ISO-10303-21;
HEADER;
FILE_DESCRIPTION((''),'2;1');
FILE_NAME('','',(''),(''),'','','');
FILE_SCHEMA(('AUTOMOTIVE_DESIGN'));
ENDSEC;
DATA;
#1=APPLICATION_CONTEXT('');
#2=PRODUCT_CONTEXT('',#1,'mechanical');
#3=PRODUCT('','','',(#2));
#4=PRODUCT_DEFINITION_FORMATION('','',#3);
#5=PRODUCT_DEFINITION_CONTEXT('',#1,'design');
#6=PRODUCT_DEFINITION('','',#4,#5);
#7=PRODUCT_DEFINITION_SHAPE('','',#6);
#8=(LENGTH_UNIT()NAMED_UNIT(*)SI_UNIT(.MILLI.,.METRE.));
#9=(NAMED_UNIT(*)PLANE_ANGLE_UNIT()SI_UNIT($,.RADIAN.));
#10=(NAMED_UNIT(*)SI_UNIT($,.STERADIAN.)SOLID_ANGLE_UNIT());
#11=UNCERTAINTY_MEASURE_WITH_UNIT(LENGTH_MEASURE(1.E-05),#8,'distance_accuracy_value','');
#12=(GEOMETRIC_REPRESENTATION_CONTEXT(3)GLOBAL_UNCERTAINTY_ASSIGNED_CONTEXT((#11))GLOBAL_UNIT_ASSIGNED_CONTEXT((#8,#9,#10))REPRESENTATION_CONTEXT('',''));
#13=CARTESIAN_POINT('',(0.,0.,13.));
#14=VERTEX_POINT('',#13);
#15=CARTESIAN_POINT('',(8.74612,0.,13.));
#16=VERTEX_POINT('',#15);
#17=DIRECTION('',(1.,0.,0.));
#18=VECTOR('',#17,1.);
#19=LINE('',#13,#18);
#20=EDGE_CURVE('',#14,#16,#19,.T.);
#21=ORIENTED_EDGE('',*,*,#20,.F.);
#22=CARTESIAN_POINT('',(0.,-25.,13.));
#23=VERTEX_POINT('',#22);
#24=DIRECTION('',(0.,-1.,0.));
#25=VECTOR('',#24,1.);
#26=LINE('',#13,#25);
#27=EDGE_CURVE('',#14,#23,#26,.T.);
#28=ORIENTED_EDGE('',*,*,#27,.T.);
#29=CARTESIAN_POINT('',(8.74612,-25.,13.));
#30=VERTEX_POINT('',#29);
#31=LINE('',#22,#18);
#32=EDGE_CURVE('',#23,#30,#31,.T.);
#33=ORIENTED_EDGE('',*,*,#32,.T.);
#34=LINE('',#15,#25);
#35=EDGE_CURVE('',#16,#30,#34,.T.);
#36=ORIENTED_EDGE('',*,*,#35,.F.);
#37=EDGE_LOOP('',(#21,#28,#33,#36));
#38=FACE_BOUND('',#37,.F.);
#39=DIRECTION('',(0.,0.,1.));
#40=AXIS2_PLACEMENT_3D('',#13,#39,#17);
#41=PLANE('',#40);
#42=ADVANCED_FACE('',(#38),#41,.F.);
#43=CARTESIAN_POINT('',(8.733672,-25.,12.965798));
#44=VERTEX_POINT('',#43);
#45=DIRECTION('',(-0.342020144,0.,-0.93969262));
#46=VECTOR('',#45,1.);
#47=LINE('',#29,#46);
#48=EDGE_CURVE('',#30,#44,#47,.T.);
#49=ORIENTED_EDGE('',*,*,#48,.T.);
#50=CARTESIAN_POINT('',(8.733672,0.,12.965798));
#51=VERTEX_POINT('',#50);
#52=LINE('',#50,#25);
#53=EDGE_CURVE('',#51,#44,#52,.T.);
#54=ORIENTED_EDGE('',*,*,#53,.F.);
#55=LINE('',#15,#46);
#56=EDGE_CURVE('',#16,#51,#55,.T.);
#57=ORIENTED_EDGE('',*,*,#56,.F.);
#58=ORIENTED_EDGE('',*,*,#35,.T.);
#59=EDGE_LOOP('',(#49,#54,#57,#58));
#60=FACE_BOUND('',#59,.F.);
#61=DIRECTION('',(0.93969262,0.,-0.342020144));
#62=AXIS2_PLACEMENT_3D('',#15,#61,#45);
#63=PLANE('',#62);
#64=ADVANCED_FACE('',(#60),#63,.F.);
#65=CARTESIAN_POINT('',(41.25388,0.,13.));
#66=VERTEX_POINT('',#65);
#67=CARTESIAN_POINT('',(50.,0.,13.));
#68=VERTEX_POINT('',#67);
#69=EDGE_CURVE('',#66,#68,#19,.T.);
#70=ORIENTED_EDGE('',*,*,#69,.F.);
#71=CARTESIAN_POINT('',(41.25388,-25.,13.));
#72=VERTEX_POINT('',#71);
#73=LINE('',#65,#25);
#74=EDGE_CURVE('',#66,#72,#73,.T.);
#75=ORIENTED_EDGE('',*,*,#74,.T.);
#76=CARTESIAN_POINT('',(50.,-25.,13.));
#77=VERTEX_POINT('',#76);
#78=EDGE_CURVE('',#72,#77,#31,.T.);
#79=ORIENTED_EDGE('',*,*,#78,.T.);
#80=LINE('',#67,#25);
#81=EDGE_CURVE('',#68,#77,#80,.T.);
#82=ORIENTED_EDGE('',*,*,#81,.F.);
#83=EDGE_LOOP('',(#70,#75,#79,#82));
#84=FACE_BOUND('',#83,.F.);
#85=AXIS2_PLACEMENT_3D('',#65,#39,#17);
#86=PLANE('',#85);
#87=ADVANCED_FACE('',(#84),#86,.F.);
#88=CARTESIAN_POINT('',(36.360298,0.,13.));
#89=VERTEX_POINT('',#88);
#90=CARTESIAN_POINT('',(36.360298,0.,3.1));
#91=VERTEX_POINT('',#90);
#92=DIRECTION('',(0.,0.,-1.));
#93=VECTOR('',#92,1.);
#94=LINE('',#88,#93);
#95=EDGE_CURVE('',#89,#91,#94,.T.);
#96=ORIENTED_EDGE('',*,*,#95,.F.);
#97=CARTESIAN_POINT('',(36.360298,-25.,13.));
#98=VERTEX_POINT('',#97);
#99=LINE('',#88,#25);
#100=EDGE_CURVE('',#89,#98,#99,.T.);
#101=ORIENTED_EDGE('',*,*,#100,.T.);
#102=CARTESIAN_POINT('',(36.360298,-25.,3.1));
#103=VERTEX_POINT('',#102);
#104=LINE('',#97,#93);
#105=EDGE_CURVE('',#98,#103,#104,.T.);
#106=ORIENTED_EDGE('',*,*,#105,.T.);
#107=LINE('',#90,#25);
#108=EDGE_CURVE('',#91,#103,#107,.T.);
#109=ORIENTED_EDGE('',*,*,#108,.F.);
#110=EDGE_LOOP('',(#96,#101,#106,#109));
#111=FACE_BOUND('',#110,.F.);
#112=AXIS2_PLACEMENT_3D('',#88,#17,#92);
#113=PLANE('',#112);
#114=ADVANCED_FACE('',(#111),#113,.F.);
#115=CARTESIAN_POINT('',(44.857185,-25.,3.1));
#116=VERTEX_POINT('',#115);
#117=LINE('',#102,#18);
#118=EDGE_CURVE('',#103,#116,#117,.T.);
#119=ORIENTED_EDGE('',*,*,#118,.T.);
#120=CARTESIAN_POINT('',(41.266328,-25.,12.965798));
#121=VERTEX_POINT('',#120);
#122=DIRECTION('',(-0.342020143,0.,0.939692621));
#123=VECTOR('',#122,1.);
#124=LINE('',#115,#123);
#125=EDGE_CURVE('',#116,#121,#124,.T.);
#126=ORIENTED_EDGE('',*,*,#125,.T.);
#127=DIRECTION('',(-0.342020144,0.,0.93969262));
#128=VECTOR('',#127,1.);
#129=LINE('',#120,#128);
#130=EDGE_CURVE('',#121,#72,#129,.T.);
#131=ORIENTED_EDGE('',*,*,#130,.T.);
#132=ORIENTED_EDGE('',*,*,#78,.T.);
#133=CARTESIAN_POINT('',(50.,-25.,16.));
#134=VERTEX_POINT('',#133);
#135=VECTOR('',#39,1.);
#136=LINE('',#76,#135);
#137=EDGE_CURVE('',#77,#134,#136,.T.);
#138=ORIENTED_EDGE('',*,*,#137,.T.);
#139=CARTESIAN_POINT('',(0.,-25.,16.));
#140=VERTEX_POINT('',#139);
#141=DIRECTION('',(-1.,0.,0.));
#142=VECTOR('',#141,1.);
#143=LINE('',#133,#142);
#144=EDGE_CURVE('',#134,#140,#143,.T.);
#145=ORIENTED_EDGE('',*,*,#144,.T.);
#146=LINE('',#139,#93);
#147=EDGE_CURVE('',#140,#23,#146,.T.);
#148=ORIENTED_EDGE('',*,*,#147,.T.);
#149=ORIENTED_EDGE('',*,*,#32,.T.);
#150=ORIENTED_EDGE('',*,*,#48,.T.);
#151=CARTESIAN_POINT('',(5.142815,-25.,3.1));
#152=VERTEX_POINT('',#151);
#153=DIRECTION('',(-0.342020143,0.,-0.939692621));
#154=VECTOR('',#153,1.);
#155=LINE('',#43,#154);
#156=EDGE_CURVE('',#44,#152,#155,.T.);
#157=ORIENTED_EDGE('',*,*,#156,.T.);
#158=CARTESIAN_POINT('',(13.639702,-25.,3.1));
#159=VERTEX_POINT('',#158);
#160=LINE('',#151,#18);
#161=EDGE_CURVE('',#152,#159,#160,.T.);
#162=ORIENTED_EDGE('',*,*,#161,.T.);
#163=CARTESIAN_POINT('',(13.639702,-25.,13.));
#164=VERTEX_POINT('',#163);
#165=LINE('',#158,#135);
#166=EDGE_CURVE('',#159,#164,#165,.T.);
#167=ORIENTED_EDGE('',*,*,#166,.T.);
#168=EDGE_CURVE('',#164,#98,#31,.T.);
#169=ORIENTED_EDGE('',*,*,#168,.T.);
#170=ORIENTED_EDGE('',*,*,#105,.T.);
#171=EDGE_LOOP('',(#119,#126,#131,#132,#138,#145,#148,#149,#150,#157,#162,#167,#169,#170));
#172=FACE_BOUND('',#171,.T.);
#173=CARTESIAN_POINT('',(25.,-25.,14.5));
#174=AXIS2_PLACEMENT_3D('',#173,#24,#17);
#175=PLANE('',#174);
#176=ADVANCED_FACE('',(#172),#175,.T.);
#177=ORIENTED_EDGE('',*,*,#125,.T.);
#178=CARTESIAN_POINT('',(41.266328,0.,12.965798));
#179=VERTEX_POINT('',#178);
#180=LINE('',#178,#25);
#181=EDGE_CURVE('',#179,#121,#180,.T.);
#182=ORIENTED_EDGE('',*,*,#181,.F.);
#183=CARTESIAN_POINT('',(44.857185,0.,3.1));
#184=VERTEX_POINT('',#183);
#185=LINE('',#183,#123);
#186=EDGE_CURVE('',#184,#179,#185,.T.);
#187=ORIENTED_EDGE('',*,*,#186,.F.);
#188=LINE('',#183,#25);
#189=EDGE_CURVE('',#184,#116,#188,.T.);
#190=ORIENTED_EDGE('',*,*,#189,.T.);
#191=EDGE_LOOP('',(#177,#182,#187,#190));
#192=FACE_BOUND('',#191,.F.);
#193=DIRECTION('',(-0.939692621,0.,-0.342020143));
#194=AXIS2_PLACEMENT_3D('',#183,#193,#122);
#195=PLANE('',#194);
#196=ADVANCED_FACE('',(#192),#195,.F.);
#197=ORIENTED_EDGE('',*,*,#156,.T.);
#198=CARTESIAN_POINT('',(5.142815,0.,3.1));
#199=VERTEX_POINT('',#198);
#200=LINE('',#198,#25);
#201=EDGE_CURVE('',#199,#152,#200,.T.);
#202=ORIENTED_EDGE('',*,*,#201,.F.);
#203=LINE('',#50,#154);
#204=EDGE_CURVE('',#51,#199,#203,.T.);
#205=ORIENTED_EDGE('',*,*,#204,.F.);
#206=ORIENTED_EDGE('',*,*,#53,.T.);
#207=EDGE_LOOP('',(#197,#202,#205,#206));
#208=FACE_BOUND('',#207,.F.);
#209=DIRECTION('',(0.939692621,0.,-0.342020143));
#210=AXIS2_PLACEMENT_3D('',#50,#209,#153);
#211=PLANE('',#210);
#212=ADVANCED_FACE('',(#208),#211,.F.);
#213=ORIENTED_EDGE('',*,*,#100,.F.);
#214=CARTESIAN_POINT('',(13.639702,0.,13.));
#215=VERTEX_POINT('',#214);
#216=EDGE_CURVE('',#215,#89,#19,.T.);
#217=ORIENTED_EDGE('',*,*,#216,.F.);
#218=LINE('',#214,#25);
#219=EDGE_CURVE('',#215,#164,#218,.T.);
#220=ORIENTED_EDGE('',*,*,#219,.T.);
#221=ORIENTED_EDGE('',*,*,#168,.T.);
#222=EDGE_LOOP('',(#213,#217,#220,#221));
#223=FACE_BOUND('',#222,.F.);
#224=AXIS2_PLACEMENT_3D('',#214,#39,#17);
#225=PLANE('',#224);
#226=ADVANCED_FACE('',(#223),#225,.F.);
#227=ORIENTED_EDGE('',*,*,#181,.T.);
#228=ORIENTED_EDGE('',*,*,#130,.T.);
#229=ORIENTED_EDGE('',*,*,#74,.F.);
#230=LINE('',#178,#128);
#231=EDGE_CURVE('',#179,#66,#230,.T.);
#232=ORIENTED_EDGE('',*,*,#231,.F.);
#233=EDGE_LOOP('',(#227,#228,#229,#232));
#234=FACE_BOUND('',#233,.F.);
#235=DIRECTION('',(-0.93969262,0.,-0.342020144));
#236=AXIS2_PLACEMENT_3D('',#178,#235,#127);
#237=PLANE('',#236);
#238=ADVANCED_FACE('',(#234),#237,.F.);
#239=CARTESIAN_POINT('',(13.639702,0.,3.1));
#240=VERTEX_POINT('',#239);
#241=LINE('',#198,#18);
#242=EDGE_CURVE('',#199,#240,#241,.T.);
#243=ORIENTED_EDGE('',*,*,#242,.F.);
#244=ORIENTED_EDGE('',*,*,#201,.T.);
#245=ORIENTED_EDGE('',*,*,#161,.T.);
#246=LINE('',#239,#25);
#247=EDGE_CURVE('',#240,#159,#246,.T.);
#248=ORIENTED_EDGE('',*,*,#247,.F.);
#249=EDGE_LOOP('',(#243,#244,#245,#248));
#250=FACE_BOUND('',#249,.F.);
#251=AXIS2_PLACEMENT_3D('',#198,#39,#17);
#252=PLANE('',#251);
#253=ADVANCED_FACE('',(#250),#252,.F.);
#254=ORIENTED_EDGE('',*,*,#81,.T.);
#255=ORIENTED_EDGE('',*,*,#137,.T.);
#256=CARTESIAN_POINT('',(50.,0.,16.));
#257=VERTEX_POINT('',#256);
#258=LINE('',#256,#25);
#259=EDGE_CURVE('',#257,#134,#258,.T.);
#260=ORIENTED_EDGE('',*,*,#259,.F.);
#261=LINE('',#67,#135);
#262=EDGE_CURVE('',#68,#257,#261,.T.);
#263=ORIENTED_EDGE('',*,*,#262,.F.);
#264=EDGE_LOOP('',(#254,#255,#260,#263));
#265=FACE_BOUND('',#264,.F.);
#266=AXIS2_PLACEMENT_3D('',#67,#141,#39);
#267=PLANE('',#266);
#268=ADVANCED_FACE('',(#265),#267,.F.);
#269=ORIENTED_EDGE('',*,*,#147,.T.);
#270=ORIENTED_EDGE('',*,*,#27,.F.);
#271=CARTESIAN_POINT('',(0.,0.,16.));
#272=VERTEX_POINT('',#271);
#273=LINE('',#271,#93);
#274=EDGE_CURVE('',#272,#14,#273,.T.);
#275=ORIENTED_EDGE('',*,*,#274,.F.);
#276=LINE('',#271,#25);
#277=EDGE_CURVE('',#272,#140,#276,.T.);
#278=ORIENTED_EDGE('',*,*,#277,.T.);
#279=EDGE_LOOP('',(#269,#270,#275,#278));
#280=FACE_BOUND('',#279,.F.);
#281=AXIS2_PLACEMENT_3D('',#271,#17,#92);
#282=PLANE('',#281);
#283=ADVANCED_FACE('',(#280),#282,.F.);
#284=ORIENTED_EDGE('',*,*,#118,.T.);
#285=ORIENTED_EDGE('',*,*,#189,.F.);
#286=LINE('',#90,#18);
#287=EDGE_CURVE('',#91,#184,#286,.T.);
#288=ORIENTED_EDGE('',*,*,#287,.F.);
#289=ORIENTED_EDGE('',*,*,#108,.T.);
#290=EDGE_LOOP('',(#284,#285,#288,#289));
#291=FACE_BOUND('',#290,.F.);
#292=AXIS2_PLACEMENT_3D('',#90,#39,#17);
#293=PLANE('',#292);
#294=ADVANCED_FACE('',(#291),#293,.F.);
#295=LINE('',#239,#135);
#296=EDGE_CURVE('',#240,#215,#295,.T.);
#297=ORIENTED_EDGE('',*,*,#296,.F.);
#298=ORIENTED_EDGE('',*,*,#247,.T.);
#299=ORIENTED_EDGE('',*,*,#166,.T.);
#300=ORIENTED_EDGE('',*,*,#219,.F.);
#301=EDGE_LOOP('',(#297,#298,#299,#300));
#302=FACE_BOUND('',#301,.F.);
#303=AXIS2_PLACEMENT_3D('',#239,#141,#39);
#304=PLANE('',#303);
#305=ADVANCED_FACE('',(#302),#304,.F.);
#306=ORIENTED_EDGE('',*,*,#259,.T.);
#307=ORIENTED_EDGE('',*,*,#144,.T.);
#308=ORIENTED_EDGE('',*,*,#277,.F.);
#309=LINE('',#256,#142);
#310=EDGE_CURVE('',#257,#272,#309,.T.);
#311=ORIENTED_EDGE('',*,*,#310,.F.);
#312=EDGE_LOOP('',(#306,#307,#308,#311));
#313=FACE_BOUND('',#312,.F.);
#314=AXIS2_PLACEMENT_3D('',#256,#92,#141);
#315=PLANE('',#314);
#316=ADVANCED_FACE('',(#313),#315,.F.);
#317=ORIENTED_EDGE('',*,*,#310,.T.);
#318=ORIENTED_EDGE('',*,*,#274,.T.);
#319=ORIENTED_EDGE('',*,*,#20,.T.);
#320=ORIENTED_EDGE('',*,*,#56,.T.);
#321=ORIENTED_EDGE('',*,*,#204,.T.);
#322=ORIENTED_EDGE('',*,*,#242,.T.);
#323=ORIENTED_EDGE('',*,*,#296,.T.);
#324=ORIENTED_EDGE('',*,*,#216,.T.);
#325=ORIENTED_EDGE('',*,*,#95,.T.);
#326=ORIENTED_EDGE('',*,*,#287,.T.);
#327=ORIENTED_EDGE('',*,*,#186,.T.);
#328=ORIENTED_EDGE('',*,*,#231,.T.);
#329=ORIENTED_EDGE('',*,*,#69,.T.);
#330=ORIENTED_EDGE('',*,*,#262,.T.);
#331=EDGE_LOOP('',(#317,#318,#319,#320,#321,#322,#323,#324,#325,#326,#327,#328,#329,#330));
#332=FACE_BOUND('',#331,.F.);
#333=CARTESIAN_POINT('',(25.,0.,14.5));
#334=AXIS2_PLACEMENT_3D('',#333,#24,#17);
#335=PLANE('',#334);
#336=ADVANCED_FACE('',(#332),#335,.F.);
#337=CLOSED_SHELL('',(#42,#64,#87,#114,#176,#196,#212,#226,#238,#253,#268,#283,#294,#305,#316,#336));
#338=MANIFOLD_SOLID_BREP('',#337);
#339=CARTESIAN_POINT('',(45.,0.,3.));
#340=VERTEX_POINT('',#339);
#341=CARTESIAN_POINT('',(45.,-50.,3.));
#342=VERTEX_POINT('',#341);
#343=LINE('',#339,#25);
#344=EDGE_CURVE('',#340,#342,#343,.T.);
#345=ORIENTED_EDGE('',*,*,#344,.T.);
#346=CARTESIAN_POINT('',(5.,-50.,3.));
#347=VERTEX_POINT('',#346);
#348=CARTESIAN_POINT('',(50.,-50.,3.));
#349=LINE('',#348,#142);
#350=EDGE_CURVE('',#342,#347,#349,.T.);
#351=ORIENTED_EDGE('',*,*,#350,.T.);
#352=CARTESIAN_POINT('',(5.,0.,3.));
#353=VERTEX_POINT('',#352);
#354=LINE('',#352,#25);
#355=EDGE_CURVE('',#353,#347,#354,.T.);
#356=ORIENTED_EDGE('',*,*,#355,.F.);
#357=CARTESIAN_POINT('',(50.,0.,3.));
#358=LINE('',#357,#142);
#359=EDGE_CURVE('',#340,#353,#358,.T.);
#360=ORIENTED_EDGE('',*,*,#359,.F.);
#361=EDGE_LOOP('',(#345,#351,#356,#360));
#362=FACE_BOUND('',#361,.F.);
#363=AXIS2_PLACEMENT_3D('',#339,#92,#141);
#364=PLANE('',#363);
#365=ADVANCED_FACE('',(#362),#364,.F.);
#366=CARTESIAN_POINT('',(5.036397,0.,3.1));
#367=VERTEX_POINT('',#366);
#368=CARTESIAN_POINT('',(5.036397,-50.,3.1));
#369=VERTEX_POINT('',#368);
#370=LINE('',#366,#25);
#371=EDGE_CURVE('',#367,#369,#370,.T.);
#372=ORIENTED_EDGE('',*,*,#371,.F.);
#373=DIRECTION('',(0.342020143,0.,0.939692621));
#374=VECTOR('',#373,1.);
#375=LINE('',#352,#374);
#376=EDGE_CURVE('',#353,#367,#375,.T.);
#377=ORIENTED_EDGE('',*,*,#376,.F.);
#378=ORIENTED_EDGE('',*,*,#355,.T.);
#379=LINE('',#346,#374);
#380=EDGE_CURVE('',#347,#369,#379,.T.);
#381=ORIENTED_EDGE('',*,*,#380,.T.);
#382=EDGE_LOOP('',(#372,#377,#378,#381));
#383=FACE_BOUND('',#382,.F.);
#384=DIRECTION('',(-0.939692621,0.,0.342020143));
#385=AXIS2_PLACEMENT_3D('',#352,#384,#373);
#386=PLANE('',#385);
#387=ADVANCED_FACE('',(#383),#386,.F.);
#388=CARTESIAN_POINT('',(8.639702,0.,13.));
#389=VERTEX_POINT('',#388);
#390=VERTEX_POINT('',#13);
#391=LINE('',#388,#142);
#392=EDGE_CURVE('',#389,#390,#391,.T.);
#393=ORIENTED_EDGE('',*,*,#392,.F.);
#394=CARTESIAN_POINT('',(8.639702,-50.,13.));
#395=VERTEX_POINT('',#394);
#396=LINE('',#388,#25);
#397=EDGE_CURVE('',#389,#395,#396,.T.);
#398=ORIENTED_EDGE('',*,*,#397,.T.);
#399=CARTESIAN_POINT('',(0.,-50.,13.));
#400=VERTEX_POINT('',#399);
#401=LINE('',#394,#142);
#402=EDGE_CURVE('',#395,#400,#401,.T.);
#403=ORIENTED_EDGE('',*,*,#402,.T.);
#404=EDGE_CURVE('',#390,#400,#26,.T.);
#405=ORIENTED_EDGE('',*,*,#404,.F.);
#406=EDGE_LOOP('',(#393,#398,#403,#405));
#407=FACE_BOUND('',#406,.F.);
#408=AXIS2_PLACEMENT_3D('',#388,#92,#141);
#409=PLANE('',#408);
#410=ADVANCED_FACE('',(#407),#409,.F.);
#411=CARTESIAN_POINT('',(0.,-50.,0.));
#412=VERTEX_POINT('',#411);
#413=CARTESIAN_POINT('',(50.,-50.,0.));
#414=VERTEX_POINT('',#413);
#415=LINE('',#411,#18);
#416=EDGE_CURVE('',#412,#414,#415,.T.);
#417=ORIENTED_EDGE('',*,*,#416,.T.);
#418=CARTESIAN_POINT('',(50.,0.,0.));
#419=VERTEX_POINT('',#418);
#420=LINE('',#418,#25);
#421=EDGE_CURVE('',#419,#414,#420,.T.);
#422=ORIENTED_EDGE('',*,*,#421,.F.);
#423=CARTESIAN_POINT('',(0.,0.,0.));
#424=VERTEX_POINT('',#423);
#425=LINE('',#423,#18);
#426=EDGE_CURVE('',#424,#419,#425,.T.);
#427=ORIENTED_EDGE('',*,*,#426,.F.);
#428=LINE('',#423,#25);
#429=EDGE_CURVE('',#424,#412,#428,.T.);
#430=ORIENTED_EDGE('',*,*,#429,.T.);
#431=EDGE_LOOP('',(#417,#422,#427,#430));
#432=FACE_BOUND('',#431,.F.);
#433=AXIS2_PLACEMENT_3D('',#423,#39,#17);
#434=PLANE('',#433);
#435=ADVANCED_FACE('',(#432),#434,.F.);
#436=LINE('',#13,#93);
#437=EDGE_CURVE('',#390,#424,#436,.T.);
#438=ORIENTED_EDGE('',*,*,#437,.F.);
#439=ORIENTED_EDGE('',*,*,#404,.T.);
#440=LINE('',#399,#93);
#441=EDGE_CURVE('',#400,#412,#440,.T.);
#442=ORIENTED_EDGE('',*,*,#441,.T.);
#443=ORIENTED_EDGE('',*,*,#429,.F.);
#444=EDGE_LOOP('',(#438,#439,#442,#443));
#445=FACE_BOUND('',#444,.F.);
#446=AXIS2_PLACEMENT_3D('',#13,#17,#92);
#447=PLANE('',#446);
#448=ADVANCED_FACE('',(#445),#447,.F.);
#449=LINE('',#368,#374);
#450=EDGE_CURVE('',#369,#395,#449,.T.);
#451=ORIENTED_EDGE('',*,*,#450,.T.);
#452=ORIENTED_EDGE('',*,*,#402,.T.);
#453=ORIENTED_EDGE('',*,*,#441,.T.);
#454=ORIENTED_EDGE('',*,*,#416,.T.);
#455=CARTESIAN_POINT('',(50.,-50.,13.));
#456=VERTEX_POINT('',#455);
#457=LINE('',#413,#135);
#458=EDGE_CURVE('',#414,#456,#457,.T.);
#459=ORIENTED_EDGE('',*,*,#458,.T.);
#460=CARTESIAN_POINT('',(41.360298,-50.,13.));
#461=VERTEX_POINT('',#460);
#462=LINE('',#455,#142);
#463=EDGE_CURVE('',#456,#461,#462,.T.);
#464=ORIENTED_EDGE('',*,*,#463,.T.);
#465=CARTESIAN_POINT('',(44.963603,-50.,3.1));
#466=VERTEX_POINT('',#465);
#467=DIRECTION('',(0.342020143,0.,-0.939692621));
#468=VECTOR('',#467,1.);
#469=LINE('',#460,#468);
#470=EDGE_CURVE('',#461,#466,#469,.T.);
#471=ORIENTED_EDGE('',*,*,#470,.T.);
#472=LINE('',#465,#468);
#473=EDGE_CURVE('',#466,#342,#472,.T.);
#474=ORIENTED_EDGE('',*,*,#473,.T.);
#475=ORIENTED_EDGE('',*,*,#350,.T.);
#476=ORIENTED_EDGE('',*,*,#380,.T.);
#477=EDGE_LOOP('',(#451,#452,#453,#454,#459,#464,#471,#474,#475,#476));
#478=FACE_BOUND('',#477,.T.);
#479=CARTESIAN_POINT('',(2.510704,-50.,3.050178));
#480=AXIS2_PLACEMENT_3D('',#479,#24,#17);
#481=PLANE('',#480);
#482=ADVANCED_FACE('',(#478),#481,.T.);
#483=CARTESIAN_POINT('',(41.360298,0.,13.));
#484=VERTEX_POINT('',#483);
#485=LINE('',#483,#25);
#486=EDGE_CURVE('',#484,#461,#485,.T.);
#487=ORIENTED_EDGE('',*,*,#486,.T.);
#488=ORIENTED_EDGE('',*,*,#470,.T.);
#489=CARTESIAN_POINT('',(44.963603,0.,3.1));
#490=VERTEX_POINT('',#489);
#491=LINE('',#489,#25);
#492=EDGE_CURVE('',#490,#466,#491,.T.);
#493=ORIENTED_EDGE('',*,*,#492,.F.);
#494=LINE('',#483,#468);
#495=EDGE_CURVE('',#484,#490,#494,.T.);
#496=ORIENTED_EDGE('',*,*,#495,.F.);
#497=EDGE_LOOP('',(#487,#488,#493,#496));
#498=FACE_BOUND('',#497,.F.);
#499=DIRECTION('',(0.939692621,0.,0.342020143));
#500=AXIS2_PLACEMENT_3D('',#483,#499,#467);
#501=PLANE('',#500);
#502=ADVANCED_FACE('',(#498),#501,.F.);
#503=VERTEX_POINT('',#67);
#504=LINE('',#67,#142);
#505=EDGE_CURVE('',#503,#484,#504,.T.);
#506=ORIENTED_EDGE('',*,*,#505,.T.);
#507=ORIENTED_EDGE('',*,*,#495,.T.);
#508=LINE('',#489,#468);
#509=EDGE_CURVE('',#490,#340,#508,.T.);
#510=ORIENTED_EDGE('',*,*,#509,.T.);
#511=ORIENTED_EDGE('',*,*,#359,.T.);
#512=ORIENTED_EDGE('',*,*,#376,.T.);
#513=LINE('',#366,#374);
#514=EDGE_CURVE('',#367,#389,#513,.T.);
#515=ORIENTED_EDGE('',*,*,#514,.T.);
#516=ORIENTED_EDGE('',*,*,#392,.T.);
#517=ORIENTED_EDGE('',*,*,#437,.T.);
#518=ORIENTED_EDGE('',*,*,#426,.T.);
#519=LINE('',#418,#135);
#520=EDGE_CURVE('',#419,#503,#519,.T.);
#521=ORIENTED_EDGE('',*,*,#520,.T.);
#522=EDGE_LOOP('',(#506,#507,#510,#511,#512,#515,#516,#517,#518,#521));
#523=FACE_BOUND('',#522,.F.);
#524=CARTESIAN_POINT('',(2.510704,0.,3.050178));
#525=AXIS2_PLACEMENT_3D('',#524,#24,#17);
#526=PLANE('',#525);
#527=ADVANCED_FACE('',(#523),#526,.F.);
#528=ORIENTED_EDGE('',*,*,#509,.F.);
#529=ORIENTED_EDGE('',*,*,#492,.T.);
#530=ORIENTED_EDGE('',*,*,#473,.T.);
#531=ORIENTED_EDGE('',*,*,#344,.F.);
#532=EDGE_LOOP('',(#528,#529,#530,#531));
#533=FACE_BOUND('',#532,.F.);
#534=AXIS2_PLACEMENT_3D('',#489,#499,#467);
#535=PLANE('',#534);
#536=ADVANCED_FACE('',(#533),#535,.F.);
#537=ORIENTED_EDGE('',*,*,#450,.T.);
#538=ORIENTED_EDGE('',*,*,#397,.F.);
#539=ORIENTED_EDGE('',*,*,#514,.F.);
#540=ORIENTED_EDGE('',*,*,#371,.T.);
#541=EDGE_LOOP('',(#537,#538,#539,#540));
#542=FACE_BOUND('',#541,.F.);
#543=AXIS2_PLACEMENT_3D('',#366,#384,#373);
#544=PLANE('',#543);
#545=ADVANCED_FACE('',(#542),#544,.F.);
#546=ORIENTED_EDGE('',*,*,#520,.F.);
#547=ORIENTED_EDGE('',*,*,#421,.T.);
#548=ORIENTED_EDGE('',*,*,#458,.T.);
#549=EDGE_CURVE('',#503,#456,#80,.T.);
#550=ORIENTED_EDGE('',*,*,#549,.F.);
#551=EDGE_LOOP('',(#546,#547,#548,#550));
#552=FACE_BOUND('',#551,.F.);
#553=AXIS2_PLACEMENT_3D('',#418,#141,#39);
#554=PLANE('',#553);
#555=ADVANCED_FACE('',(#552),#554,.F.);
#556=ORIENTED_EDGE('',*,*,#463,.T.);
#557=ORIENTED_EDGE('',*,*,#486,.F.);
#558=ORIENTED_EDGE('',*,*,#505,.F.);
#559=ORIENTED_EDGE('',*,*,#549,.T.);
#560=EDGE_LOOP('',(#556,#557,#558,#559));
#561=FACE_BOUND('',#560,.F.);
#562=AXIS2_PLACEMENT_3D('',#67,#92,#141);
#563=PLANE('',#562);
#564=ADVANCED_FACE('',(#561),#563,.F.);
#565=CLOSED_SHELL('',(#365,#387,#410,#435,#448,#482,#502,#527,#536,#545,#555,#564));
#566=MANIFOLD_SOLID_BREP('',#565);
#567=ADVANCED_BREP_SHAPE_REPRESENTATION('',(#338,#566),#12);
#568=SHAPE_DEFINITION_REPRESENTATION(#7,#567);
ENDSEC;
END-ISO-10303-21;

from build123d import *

# Parameters (mm, degrees)
F1_DEPTH = 50
F2_DEPTH = 25


with BuildPart() as f1:
    # F0 (on Front) → F1 (new body)
    with BuildSketch(Plane.XZ):
        Polygon((0, 3.1), (0, 3), (5, 3), (5.0363970234, 3.1), align=None)
        Polygon((0, 13), (0, 3.1), (5.0363970234, 3.1), (8.6397023427, 13), align=None)
        Polygon((0, 3), (0, 0), (50, 0), (50, 3), (45, 3), (44.8935822228, 3), (36.3602976573, 3), (13.6397023427, 3), (5.1064177772, 3), (5, 3), align=None)
        Polygon((44.9636029766, 3.1), (50, 3.1), (50, 13), (41.3602976573, 13), align=None)
        Polygon((45, 3), (50, 3), (50, 3.1), (44.9636029766, 3.1), align=None)
    extrude(amount=F1_DEPTH)


with BuildPart() as f2:
    # F0 (on Front) → F2 (new body)
    with BuildSketch(Plane.XZ):
        Polygon((0, 16), (0, 13), (8.6397023427, 13), (8.7461201199, 13), (13.6397023427, 13), (36.3602976573, 13), (41.2538798801, 13), (41.3602976573, 13), (50, 13), (50, 16), align=None)
        Polygon((8.7336716047, 12.9657979857), (5.1428148007, 3.1), (13.6397023427, 3.1), (13.6397023427, 13), (8.7461201199, 13), align=None)
        Polygon((36.3602976573, 3.1), (44.8571851993, 3.1), (41.2663283953, 12.9657979857), (41.2538798801, 13), (36.3602976573, 13), align=None)
    extrude(amount=F2_DEPTH)


solid = Compound([f1.part, f2.part])
